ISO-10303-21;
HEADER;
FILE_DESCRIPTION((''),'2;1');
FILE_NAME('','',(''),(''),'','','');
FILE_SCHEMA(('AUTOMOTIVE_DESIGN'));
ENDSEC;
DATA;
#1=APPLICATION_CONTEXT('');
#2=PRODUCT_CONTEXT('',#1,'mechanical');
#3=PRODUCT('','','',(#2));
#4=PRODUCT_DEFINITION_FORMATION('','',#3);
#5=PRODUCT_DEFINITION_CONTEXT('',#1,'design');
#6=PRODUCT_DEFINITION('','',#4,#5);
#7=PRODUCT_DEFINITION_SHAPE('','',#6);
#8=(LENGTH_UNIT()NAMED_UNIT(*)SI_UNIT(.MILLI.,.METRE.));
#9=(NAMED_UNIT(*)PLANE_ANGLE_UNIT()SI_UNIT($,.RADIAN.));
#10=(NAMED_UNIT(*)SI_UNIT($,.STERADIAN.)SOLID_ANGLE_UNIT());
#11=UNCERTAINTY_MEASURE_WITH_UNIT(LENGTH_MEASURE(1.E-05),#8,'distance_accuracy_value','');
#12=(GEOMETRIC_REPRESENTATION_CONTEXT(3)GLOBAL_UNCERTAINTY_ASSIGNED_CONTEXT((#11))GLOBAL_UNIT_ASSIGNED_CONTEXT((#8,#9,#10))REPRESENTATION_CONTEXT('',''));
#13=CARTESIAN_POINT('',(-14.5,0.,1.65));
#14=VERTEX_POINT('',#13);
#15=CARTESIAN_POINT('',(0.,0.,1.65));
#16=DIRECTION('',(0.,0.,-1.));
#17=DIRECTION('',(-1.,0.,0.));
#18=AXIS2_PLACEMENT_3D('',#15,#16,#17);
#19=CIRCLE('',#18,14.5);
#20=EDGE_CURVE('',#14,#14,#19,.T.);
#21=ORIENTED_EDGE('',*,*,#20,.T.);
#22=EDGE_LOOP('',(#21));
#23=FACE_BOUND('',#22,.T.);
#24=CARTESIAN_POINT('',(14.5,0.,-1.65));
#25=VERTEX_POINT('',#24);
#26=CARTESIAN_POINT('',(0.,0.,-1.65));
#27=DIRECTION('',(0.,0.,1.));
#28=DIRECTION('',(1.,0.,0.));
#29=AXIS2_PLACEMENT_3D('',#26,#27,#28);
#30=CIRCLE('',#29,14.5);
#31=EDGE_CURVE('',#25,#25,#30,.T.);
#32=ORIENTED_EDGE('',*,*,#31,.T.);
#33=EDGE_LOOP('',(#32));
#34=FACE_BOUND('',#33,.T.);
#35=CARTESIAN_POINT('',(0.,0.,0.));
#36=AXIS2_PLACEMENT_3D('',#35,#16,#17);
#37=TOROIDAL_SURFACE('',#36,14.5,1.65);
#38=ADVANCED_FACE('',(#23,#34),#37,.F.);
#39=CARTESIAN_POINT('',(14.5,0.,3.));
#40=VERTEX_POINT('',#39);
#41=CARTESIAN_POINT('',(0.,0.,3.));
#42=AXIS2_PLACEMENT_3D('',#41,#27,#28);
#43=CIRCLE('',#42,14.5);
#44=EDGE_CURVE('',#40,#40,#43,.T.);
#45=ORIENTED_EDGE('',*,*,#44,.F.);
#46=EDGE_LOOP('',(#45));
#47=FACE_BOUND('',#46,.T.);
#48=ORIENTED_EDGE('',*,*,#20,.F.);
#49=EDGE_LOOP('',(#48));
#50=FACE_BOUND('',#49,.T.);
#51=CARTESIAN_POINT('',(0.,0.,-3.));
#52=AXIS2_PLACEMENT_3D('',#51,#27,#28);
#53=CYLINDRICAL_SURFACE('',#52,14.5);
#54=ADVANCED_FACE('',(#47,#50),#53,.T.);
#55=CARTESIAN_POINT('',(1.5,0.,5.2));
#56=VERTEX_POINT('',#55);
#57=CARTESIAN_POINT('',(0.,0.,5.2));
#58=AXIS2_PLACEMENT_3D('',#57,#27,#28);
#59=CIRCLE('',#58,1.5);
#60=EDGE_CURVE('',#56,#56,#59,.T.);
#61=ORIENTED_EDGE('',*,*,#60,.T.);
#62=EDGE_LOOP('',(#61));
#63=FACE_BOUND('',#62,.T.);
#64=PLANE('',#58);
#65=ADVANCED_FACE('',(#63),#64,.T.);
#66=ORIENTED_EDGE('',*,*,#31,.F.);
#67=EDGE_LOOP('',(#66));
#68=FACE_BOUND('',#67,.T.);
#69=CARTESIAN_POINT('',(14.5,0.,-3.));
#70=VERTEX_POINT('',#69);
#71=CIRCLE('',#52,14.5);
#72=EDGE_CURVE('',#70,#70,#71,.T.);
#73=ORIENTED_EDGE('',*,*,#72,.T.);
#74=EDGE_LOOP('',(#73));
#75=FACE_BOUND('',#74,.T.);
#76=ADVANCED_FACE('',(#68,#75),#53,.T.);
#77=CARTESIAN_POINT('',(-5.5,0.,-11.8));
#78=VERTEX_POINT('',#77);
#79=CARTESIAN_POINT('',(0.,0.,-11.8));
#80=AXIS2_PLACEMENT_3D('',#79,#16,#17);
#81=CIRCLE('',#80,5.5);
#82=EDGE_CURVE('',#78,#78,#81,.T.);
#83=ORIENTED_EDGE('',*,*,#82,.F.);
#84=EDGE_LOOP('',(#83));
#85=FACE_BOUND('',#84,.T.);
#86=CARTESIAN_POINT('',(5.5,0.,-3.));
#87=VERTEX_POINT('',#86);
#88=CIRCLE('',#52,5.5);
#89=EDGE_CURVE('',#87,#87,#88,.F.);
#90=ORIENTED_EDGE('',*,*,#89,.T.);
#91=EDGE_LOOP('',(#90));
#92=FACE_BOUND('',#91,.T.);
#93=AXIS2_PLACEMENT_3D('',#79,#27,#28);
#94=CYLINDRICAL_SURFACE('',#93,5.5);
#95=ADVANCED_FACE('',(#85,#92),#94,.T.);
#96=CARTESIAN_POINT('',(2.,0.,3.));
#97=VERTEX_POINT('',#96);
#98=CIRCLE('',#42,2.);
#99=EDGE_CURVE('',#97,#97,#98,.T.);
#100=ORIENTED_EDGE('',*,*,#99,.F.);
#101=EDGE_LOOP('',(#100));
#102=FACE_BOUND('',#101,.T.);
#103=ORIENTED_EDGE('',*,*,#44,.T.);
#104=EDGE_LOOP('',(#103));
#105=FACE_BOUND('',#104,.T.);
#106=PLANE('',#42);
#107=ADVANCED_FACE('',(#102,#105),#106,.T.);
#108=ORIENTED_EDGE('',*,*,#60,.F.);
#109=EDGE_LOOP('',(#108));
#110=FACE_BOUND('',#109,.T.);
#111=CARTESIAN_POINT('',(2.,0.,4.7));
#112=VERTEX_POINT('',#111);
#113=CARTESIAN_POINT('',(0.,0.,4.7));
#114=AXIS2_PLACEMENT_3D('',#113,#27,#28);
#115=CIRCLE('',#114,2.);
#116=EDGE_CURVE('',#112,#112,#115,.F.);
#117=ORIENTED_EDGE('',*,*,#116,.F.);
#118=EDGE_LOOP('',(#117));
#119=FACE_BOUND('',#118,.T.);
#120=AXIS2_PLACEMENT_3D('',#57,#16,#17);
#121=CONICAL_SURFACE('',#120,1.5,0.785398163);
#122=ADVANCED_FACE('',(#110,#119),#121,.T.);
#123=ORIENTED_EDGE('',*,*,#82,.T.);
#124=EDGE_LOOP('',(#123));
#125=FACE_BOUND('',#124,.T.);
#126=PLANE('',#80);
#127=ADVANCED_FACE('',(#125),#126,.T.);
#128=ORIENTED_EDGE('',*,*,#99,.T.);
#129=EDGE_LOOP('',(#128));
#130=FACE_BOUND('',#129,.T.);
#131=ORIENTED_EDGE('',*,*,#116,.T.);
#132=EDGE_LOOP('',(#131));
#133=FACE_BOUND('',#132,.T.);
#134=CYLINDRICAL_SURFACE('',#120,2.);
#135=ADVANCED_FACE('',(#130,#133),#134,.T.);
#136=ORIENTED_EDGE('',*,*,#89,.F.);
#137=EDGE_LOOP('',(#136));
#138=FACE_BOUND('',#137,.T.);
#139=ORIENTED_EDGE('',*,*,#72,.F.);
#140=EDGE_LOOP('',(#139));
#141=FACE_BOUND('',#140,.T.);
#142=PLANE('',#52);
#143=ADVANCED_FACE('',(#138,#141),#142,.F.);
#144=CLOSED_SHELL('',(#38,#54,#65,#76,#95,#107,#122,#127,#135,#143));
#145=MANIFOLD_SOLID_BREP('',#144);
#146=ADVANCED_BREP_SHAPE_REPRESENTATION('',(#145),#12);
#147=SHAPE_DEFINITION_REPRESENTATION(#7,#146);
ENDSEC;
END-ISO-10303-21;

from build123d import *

# Parameters (mm, degrees)
BOSS_EXTRU_1_DEPTH      = 3
BOSS_EXTRU_1_DEPTH_BACK = 3
ESQUISSE1_R             = 14.5
ESQUISSE3_R             = 1.65
ESQUISSE4_R             = 2
BOSS_EXTRU_2_DEPTH      = 2.2
CHANFREIN1_SIZE         = 0.5
ESQUISSE5_R             = 5.5
BOSS_EXTRU_3_DEPTH      = 8.8


with BuildPart() as part:
    # Esquisse1 → Boss.-Extru.1 (new, two sides: drawn at the far end of the back side and taken through both)
    with BuildSketch(Plane.XY.offset(-BOSS_EXTRU_1_DEPTH_BACK)):
        Circle(ESQUISSE1_R)
    extrude(amount=BOSS_EXTRU_1_DEPTH + BOSS_EXTRU_1_DEPTH_BACK)

    # Enlèvement de matière-Balayage1: sweep along a curve in space
    with BuildLine() as enl_vement_de_mati_re_balayage1_path:
        ThreePointArc((14.5, 0, 3), (10.253048327, 10.253048327, 3), (0, 14.5, 3))
        ThreePointArc((0, 14.5, 3), (-10.253048327, 10.253048327, 3), (-14.5, 0, 3))
        ThreePointArc((-14.5, 0, 3), (-10.253048327, -10.253048327, 3), (0, -14.5, 3))
        ThreePointArc((0, -14.5, 3), (10.253048327, -10.253048327, 3), (14.5, 0, 3))
    # Esquisse3 → Enlèvement de matière-Balayage1 (sweep, cut)
    with BuildSketch(Plane(origin=(0, 0, 0), x_dir=(0, 0, -1), z_dir=(1, 0, 0))):
        with Locations((0, 14.5)):
            Circle(ESQUISSE3_R)
    sweep(path=enl_vement_de_mati_re_balayage1_path.line, mode=Mode.SUBTRACT)

    # Esquisse4 → Boss.-Extru.2 (add)
    with BuildSketch(Plane.XY.offset(3)):
        Circle(ESQUISSE4_R)
    extrude(amount=BOSS_EXTRU_2_DEPTH)

    # Chanfrein1
    chanfrein1_edges = [part.edges().sort_by_distance(p)[0] for p in [
        (-2, 0, 5.2),
    ]]
    chamfer(chanfrein1_edges, length=CHANFREIN1_SIZE)

    # Esquisse5 → Boss.-Extru.3 (add)
    with BuildSketch(Plane(origin=(0, 0, -3), x_dir=(-1, 0, 0), z_dir=(0, 0, -1))):
        Circle(ESQUISSE5_R)
    extrude(amount=BOSS_EXTRU_3_DEPTH)


solid = part.part
